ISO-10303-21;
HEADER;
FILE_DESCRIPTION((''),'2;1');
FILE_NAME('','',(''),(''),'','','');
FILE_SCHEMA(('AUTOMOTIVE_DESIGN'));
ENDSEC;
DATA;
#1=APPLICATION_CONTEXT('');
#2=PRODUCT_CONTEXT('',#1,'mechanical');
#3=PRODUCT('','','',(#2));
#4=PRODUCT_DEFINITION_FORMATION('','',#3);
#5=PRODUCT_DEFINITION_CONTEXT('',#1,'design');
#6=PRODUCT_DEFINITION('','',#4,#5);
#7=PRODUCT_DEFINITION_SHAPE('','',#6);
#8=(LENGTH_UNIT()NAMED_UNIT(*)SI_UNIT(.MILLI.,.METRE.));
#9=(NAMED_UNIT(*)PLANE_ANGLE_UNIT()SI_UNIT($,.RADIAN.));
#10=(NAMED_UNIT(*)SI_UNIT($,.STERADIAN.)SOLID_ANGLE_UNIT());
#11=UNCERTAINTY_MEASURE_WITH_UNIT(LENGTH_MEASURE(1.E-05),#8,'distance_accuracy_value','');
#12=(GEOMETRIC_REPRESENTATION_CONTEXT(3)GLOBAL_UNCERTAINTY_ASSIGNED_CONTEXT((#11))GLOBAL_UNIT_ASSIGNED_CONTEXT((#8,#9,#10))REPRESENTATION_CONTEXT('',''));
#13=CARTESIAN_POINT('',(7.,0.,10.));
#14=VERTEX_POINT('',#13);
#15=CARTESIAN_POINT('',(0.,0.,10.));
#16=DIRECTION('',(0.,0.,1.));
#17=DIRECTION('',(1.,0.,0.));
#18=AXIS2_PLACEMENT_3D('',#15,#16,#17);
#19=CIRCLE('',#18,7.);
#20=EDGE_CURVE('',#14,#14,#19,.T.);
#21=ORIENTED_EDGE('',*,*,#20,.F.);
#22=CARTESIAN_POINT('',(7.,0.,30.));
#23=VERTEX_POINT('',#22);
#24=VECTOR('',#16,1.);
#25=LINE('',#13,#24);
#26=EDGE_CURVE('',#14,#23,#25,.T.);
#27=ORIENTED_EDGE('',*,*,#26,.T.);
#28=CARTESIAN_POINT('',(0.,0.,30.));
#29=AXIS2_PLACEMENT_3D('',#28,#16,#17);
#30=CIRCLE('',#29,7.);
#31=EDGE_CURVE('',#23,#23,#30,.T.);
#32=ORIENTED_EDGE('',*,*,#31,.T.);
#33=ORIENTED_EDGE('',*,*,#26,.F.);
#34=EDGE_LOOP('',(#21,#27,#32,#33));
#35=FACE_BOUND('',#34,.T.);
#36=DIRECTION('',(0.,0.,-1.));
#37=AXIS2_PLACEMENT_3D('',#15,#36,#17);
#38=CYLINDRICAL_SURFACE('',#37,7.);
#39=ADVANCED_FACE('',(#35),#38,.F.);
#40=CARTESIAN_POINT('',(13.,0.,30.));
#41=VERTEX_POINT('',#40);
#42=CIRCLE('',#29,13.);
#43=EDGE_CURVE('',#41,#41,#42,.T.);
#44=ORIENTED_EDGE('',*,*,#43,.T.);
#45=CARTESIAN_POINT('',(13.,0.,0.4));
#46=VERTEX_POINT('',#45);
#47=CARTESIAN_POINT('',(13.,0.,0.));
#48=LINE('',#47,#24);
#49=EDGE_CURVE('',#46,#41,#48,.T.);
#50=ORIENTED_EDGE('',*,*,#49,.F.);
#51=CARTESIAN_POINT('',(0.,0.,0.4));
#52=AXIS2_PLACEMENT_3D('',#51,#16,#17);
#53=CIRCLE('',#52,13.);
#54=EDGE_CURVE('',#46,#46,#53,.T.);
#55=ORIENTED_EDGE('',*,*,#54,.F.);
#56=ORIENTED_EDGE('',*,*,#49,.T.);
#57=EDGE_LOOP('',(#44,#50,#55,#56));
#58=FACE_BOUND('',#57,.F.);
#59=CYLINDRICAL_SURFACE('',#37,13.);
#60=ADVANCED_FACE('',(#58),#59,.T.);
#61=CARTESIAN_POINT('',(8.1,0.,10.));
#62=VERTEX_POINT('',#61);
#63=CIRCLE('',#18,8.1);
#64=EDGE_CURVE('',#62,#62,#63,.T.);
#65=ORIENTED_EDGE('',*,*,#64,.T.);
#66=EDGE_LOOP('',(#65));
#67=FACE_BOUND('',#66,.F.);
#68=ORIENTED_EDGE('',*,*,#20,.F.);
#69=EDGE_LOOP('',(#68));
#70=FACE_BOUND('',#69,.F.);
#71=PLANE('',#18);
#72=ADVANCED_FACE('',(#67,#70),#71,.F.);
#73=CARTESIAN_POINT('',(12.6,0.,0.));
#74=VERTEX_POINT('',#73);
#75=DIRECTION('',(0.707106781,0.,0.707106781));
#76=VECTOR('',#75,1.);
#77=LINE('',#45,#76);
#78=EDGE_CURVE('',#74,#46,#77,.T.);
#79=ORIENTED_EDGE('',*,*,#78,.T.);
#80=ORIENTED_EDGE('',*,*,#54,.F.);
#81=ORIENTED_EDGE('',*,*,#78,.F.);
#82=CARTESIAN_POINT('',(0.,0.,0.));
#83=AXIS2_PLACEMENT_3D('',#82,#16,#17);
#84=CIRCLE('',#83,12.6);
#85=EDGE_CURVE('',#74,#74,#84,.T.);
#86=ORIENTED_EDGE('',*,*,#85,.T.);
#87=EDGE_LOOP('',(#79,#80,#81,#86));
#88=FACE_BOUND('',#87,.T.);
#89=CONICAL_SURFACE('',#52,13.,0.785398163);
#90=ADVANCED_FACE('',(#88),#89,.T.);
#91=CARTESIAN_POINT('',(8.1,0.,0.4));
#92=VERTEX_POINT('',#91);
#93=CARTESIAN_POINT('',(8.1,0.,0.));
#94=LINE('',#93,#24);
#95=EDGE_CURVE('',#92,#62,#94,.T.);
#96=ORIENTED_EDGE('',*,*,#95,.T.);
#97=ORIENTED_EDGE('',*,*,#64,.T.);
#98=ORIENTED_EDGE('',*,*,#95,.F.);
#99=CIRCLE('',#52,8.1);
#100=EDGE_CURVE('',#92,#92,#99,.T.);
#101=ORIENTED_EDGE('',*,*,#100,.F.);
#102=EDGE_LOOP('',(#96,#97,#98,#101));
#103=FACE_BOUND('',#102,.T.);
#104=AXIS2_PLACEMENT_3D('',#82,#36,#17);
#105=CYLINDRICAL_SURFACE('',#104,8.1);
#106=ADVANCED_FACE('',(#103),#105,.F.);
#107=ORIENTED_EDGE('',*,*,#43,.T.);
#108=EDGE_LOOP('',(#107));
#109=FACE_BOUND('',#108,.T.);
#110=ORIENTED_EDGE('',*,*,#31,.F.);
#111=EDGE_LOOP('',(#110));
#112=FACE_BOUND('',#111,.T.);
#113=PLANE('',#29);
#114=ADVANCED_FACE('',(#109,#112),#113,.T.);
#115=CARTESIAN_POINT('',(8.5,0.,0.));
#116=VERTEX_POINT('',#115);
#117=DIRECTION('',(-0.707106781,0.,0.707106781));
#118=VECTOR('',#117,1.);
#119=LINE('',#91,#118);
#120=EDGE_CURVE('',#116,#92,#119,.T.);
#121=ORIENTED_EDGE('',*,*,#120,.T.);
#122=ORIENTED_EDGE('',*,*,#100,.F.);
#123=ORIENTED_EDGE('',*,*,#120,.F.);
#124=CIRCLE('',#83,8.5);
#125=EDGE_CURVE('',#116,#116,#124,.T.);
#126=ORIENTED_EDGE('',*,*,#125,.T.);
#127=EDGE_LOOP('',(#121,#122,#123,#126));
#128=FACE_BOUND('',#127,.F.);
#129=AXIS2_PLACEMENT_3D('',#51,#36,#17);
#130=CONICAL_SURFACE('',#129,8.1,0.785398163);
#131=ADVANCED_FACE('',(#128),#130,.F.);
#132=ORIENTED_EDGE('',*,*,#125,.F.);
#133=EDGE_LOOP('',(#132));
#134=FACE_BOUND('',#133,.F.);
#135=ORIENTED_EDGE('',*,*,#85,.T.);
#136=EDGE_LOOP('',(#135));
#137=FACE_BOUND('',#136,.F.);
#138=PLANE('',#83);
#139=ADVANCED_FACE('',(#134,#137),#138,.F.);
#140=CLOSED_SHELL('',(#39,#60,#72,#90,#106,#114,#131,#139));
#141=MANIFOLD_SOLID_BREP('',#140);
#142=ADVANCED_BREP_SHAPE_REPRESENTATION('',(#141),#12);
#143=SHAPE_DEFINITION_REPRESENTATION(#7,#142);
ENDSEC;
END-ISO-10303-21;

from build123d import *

# Parameters (mm, degrees)
SKETCH_R        = 13
SKETCH_R_2      = 8.1
PAD_DEPTH       = 10
SKETCH001_R     = 13
SKETCH001_R_2   = 7
PAD001_DEPTH    = 20
CHAMFER_SIZE    = 0.4
CHAMFER001_SIZE = 0.4


with BuildPart() as part:
    # Sketch → Pad (new body)
    with BuildSketch(Plane.XY):
        Circle(SKETCH_R)
        Circle(SKETCH_R_2, mode=Mode.SUBTRACT)
    extrude(amount=PAD_DEPTH)

    # Sketch001 (on Face4 of Pad) → Pad001 (join)
    with BuildSketch(Plane.XY.offset(10)):
        Circle(SKETCH001_R)
        Circle(SKETCH001_R_2, mode=Mode.SUBTRACT)
    extrude(amount=PAD001_DEPTH)

    # Chamfer
    chamfer_edges = [part.edges().sort_by_distance(p)[0] for p in [
        (-8.1, 0, 0),
    ]]
    chamfer(chamfer_edges, length=CHAMFER_SIZE)

    # Chamfer001
    chamfer001_edges = [part.edges().sort_by_distance(p)[0] for p in [
        (-13, 0, 0),
    ]]
    chamfer(chamfer001_edges, length=CHAMFER001_SIZE)


solid = part.part
